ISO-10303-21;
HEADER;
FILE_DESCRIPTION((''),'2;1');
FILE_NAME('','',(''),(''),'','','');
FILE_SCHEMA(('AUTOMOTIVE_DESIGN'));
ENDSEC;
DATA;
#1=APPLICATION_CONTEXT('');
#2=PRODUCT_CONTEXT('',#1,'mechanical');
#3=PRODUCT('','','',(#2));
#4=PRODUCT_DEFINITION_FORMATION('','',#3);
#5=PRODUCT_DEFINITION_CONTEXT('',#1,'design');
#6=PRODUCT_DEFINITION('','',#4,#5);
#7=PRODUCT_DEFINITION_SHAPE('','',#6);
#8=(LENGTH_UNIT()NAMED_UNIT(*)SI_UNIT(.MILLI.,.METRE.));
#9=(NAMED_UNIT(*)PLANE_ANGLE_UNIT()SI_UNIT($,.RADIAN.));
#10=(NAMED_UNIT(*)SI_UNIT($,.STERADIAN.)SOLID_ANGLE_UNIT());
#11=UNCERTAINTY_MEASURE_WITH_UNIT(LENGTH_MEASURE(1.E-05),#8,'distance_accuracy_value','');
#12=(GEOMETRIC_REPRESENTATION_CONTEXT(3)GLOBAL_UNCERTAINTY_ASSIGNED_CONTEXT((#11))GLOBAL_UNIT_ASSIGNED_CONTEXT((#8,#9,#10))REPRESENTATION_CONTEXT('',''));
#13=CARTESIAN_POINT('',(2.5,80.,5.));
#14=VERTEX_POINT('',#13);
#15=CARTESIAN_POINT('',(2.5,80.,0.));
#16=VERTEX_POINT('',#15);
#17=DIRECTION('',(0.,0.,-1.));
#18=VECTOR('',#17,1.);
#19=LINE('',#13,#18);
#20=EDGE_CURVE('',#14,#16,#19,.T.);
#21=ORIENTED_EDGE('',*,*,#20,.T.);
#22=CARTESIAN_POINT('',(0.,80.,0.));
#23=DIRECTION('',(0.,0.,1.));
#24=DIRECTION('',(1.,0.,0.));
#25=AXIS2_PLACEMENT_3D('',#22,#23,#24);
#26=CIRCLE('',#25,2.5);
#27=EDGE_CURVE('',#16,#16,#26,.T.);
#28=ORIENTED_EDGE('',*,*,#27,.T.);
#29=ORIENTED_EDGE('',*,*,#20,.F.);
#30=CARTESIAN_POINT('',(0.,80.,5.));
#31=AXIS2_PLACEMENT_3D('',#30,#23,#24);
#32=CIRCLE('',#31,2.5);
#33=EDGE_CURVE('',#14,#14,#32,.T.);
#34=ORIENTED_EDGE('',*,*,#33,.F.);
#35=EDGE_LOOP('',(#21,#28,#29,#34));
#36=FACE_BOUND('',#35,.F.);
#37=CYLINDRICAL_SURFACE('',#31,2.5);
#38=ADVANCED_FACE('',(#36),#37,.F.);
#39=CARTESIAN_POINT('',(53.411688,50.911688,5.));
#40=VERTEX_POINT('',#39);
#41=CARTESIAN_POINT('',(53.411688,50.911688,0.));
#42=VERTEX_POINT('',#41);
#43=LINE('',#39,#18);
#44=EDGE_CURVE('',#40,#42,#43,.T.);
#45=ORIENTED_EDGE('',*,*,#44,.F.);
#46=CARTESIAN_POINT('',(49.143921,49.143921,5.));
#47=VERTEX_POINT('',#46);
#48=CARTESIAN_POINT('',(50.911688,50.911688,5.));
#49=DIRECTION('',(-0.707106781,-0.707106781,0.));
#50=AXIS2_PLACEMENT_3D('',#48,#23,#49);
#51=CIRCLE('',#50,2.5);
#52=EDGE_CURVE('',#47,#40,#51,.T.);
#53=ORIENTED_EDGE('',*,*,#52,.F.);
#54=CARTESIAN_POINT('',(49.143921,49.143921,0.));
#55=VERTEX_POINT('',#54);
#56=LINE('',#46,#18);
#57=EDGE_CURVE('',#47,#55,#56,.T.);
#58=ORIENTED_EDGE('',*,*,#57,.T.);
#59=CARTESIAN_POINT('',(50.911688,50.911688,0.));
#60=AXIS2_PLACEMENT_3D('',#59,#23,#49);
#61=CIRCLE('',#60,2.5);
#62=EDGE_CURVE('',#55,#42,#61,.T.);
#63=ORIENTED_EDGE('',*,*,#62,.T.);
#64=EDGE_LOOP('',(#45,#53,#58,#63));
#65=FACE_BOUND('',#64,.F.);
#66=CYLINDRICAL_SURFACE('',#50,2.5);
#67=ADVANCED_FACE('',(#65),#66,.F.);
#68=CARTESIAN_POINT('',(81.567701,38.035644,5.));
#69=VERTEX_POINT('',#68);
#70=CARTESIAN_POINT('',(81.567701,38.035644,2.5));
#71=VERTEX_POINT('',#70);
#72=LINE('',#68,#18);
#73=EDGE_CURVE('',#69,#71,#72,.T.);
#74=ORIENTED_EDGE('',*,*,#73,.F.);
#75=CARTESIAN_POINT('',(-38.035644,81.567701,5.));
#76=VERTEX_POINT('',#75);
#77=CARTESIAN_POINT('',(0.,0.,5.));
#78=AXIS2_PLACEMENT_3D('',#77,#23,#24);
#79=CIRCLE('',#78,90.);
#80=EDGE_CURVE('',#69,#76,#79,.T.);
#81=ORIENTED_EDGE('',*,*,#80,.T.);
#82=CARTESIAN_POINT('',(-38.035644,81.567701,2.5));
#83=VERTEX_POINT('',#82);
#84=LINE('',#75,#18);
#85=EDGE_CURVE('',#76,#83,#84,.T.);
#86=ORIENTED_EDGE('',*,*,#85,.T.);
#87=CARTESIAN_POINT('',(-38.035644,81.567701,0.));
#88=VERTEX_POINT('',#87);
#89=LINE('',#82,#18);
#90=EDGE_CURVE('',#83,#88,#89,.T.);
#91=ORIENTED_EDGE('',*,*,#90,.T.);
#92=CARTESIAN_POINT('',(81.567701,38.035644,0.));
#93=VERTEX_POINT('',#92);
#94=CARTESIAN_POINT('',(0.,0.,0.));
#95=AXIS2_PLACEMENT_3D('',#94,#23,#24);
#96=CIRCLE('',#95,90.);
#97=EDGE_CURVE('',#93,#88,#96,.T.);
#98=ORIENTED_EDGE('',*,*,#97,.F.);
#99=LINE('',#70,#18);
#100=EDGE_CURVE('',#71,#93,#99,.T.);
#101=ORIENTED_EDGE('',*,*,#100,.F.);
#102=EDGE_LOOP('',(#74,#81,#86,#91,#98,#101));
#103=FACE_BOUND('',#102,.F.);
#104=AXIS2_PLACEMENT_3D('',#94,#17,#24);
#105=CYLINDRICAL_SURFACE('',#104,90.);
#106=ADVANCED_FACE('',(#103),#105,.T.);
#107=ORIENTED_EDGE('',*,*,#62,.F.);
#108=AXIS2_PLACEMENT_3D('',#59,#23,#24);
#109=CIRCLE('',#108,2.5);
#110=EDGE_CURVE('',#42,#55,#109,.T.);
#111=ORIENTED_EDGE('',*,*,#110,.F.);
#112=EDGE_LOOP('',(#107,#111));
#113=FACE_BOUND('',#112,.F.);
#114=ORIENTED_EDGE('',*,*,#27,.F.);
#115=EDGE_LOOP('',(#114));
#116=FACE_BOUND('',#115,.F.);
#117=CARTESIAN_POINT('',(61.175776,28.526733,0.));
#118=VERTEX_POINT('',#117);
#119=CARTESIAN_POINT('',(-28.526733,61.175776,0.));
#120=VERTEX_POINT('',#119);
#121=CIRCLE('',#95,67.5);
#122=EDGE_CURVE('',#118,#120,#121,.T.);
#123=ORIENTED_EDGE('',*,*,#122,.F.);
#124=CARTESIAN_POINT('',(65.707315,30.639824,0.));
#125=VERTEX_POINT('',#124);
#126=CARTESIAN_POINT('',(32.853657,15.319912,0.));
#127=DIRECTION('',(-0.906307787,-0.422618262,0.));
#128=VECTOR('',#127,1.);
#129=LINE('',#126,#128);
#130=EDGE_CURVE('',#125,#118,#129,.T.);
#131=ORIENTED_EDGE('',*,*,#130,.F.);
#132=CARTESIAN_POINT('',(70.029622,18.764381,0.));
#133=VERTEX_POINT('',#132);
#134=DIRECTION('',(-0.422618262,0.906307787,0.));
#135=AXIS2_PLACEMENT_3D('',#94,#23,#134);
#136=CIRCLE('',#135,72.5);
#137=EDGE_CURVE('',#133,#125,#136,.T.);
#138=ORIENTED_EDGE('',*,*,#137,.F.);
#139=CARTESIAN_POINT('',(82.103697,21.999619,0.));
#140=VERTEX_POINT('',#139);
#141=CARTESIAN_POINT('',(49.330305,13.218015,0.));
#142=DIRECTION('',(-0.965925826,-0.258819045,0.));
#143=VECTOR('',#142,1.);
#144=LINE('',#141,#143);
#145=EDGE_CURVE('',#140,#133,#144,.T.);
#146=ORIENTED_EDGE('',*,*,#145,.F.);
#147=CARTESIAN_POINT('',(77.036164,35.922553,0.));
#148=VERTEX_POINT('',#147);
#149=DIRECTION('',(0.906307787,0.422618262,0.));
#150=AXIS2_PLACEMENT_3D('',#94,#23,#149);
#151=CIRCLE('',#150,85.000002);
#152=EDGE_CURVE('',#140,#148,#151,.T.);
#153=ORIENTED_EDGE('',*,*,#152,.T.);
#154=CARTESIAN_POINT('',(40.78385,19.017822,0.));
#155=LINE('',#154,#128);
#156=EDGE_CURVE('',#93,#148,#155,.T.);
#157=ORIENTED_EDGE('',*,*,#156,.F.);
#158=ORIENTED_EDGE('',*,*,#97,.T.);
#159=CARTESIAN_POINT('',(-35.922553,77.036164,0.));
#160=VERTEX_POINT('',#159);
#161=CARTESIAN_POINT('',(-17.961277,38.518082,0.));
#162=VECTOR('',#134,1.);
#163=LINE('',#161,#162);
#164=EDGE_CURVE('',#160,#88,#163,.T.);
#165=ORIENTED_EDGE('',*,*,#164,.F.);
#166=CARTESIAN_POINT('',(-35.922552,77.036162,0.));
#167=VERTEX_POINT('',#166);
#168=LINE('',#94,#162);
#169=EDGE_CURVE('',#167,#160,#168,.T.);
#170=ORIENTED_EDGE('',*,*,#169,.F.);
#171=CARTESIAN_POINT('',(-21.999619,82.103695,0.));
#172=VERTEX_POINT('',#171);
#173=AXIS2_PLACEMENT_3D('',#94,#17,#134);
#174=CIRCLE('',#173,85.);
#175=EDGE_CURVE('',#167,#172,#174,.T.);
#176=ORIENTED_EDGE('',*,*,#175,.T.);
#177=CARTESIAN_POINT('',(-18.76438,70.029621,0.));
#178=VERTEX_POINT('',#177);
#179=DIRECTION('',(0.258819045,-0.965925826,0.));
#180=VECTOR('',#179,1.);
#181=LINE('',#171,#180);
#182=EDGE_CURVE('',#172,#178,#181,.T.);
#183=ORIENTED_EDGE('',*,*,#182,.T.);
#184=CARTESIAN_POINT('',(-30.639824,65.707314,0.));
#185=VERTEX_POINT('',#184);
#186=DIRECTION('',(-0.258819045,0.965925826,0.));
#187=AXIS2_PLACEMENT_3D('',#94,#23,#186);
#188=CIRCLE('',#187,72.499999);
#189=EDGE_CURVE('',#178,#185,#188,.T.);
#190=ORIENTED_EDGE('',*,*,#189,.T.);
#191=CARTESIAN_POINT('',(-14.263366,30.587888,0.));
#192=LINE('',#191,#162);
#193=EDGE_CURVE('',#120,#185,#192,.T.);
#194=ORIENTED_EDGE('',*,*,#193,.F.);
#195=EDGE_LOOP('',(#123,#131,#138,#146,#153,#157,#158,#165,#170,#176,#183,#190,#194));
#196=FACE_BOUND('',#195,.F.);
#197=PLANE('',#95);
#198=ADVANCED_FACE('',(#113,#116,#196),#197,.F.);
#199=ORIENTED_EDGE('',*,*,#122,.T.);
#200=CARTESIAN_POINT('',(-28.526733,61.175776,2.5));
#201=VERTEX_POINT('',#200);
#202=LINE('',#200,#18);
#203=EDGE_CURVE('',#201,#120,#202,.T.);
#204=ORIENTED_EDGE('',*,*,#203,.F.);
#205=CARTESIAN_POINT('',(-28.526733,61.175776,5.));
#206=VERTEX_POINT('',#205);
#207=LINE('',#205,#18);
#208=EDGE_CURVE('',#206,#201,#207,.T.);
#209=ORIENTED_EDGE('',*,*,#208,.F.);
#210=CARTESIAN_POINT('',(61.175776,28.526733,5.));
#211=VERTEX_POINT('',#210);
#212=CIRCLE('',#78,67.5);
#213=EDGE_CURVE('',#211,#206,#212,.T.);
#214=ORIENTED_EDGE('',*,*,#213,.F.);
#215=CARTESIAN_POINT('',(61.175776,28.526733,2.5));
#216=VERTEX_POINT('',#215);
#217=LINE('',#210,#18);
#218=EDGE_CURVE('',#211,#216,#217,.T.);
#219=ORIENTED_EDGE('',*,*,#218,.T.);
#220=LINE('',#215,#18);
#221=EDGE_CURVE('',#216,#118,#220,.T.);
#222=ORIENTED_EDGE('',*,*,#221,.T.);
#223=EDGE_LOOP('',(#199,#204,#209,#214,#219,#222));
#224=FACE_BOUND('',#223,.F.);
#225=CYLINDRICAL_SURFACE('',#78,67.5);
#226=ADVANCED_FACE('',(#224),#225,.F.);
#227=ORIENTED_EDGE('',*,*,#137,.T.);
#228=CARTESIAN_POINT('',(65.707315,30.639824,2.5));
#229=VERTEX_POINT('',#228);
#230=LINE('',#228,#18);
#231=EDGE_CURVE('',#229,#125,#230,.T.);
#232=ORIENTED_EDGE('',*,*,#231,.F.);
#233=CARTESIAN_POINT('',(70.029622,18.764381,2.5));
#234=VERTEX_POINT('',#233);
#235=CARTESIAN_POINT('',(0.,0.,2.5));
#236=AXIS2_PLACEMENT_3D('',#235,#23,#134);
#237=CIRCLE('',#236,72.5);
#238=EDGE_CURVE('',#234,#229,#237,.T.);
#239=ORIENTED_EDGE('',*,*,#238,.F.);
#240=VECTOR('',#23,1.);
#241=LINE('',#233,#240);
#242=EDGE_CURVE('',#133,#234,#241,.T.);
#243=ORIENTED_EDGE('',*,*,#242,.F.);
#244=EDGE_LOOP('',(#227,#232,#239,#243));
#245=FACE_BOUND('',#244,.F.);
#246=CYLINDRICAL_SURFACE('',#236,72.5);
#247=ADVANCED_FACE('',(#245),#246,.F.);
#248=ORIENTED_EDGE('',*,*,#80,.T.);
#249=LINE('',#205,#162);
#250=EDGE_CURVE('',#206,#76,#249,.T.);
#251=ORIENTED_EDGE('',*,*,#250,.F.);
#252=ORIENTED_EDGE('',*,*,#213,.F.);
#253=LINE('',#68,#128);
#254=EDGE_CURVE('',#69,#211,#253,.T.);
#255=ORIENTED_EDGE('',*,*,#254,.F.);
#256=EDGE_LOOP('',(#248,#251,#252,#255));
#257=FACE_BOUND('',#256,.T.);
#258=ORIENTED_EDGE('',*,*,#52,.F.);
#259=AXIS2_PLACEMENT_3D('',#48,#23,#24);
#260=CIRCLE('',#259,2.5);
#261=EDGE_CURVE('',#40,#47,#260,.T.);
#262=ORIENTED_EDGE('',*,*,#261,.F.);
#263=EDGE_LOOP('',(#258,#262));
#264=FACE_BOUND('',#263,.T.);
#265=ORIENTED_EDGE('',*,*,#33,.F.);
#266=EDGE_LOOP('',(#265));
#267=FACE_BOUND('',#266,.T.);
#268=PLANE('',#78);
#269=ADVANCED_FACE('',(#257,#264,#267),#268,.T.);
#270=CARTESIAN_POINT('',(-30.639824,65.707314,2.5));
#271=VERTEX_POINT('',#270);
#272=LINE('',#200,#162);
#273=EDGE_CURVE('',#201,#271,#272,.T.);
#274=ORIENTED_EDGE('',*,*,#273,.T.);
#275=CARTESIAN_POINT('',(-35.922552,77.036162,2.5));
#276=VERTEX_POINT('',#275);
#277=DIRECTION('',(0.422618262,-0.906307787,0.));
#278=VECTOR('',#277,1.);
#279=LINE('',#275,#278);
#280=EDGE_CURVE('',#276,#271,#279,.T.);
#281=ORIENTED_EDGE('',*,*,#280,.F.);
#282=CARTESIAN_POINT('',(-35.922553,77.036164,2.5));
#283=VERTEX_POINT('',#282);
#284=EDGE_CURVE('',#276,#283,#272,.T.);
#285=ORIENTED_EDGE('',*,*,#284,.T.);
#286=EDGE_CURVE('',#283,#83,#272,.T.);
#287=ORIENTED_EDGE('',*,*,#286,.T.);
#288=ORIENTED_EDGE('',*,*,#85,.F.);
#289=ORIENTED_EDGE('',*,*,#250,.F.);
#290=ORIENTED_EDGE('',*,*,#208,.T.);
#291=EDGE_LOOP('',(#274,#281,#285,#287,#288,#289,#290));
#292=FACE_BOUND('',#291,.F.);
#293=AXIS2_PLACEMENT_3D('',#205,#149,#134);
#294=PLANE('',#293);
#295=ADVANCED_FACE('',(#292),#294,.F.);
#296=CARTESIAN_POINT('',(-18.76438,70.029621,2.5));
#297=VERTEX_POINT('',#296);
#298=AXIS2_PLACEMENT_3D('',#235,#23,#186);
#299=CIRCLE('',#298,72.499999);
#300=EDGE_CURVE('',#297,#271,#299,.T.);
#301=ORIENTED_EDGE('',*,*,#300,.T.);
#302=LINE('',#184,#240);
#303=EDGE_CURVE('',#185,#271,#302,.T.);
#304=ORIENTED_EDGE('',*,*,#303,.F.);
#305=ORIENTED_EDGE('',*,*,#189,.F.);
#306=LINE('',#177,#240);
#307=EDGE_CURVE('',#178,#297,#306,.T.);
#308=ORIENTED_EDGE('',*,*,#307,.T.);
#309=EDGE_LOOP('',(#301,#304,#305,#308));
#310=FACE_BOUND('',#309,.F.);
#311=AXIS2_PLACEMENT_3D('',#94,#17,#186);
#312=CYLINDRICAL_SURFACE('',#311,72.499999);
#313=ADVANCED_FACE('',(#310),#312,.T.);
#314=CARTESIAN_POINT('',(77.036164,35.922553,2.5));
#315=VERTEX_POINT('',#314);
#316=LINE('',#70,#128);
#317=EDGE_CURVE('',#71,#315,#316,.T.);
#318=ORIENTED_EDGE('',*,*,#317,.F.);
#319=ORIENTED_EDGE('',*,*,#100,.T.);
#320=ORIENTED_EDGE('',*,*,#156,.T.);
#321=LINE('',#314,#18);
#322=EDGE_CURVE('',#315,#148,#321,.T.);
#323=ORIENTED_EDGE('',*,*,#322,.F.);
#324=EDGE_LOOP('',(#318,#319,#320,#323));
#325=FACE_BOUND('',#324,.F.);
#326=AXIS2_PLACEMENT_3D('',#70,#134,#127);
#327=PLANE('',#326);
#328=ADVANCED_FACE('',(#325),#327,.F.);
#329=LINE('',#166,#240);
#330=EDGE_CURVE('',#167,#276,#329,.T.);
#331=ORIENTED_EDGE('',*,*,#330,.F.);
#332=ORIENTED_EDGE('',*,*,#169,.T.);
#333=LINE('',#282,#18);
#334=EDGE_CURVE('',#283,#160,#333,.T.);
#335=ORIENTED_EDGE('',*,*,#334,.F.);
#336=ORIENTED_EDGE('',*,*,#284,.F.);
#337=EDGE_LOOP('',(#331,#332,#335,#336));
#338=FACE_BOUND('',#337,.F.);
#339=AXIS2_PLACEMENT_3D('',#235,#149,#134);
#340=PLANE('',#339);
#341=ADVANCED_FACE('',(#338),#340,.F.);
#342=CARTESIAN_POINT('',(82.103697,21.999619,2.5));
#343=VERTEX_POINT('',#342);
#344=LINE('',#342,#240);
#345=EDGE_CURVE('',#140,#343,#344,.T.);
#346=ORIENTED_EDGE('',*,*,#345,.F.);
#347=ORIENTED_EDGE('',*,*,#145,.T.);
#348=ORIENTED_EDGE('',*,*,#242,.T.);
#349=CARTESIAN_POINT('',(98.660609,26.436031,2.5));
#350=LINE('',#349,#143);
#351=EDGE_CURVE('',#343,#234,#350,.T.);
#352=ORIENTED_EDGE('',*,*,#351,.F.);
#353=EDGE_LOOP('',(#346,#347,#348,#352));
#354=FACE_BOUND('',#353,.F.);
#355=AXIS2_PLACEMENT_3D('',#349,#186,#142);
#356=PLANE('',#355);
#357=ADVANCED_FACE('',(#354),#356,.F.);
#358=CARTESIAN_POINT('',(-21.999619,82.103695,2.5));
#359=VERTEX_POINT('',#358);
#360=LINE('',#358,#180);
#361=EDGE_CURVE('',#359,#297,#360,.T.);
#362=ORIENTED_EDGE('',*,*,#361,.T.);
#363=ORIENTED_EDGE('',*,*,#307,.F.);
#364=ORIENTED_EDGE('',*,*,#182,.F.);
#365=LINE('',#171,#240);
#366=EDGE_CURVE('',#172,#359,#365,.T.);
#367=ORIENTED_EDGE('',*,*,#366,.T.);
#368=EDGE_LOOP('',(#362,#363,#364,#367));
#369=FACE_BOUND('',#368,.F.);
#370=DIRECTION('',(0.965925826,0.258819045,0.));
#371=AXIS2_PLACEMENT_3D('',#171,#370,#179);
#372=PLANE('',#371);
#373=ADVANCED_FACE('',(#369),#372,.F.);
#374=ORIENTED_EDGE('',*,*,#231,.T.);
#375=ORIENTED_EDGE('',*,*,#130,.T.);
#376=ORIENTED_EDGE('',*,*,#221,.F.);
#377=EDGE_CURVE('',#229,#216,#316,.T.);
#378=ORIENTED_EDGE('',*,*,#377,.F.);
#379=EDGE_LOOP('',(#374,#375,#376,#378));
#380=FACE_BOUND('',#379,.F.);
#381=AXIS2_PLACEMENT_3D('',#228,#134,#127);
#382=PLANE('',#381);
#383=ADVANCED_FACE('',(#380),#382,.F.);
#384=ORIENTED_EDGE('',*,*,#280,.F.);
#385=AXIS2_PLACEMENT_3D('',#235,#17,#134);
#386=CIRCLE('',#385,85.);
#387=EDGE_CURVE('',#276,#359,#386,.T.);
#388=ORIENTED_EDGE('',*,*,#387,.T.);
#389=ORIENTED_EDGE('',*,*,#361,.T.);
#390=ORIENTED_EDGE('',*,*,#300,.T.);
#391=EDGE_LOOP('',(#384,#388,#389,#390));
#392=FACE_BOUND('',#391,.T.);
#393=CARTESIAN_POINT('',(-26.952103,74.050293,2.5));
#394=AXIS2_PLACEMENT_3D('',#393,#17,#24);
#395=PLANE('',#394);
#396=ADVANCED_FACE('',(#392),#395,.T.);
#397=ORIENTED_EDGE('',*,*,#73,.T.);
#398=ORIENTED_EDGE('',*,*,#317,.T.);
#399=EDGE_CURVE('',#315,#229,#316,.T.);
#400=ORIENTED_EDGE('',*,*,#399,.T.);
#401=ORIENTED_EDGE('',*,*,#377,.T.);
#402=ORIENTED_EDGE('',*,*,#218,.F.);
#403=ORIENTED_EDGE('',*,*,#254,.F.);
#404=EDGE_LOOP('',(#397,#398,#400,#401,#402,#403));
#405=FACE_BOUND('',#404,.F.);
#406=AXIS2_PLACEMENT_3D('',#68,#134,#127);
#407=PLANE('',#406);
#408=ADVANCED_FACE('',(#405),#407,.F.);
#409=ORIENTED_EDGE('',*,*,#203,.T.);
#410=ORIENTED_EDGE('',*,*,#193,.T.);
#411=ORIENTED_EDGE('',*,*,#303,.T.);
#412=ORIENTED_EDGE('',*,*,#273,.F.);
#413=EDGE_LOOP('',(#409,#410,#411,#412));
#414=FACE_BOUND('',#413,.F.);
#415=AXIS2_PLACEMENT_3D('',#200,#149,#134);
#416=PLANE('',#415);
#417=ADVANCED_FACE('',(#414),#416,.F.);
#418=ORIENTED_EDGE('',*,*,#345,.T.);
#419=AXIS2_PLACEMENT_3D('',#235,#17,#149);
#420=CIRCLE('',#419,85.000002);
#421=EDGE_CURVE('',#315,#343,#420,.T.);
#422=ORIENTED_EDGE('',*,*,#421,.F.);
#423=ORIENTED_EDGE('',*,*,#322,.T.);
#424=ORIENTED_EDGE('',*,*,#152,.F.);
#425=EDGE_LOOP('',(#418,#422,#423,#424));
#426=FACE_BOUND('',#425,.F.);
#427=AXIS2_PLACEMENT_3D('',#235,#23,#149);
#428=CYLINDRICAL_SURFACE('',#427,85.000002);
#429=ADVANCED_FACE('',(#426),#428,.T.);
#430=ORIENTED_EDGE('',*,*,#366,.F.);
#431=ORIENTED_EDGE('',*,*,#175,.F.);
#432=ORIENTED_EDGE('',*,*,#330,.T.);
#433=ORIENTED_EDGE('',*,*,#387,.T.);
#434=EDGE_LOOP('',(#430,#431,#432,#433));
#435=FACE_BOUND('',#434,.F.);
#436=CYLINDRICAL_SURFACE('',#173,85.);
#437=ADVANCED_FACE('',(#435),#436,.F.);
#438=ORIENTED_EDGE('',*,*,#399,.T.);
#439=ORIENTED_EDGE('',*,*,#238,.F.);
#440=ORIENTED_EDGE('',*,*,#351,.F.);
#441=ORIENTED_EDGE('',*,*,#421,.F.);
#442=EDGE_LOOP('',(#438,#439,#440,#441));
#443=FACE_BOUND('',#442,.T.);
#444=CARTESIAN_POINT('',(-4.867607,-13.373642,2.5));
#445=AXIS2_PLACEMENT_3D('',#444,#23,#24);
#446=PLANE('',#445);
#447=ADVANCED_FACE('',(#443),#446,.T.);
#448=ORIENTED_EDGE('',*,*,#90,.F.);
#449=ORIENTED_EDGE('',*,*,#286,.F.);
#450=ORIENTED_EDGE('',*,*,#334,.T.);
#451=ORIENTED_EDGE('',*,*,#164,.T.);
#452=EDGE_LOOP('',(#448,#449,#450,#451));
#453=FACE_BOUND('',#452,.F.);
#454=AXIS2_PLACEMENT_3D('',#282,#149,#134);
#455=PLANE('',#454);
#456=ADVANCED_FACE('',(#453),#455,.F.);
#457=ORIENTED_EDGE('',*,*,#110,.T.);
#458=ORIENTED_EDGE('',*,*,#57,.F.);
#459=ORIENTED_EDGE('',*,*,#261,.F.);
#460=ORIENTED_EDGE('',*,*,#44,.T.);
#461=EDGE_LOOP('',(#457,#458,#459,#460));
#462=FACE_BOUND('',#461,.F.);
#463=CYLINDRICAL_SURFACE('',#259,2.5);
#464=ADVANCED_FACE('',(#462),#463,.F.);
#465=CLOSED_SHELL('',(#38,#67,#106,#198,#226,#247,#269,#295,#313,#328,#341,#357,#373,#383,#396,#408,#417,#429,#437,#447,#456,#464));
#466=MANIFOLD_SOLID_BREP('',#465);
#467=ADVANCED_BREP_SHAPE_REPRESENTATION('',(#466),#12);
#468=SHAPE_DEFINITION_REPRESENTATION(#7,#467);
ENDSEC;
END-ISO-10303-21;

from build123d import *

# Parameters (mm, degrees)
F0_R      = 90
F1_DEPTH  = 5
F2_R      = 67.5
F3_DEPTH  = 5
F4_R      = 2.5
F5_DEPTH  = 5.001
F7_DEPTH  = 5.001
F9_DEPTH  = 2.5
F11_DEPTH = 2.501
F13_DEPTH = 2.501
F15_DEPTH = 2.501
F19_DEPTH = 2.5


with BuildPart() as f1:
    # F0 (on Top) → F1 (new body)
    with BuildSketch(Plane.XY):
        Circle(F0_R)
    extrude(amount=F1_DEPTH)

    # F2 (on face) → F3 (cut)
    with BuildSketch(Plane.XY.offset(5)):
        Circle(F2_R)
    extrude(amount=-F3_DEPTH, mode=Mode.SUBTRACT)

    # F4 (on face) → F5 (cut, through all)
    with BuildSketch(Plane.XY.offset(5)):
        with Locations((0, 80)):
            Circle(F4_R)
    extrude(amount=-F5_DEPTH, mode=Mode.SUBTRACT)

    # F6 (on face) → F7 (cut, through all)
    with BuildSketch(Plane.XY.offset(5)):
        with BuildLine():
            ThreePointArc((49.1439212925, 49.1439212925), (51.8683968263, 48.6019894142), (53.4116882454, 50.9116882454))
            ThreePointArc((53.4116882454, 50.9116882454), (49.9549796645, 53.2213870767), (49.1439212925, 49.1439212925))
        make_face()
    extrude(amount=-F7_DEPTH, mode=Mode.SUBTRACT)

    # F8 (on face) → F9 (cut)
    with BuildSketch(Plane.XY.offset(5)):
        with BuildLine():
            Line((-28.5267326675, 61.175775625), (-38.0356435567, 81.5677008333))
            ThreePointArc((-38.0356435567, 81.5677008333), (-30.7818128993, -84.5723358707), (81.5677008333, 38.0356435567))
            Line((81.5677008333, 38.0356435567), (61.175775625, 28.5267326675))
            ThreePointArc((61.175775625, 28.5267326675), (-23.0863596745, -63.429251903), (-28.5267326675, 61.175775625))
        make_face()
    extrude(amount=-F9_DEPTH, mode=Mode.SUBTRACT)

    # F10 (on face) → F11 (cut, through all)
    with BuildSketch(Plane.XY.offset(2.5)):
        with BuildLine():
            ThreePointArc((77.0361638276, 35.9225531477), (-29.0717129108, -79.8738747674), (-35.9225531477, 77.0361638276))
            Line((-35.9225531477, 77.0361638276), (-38.0356435567, 81.5677008333))
            ThreePointArc((-38.0356435567, 81.5677008333), (-48.3569647512, -75.9052301232), (90, 0))
            ThreePointArc((90, 0), (87.8666406408, 19.4795652544), (81.5677008333, 38.0356435567))
            Line((81.5677008333, 38.0356435567), (77.0361638276, 35.9225531477))
        make_face()
    extrude(amount=-F11_DEPTH, mode=Mode.SUBTRACT)

    # F12 (on face) → F13 (cut, through all)
    with BuildSketch(Plane.XY.offset(2.5)):
        with BuildLine():
            Line((-28.5267326675, 61.175775625), (-30.6398239762, 65.7073145602))
            ThreePointArc((-30.6398239762, 65.7073145602), (-24.7964603911, -68.127715007), (65.7073145602, 30.6398239762))
            Line((65.7073145602, 30.6398239762), (61.175775625, 28.5267326675))
            ThreePointArc((61.175775625, 28.5267326675), (65.8999804806, 14.6096739408), (67.5, 0))
            ThreePointArc((67.5, 0), (-36.2677235634, -56.9289225924), (-28.5267326675, 61.175775625))
        make_face()
    extrude(amount=-F13_DEPTH, mode=Mode.SUBTRACT)

    # F14 (on face) → F15 (cut, through all)
    with BuildSketch(Plane.XY.offset(2.5)):
        Polygon((98.6606093618, 26.4360306033), (0, 0), (-50.3402867184, 107.9550932479), (-138.5994553566, -33.6444936693), (-65.9655109048, -85.6016203761), (32.1168266237, -89.8430198431), (88.8455361128, -67.5756856799), align=None)
    extrude(amount=-F15_DEPTH, mode=Mode.SUBTRACT)

    # F18 (on face) → F19 (cut)
    with BuildSketch(Plane(origin=(0, 0, 0), x_dir=(1, 0, 0), z_dir=(0, 0, -1))):
        with BuildLine():
            Line((-21.9996188337, -82.1036952346), (-18.7643804985, -70.029621393))
            ThreePointArc((-18.7643804985, -70.029621393), (-24.7964600325, -68.1277140216), (-30.639823533, -65.7073136098))
            Line((-30.639823533, -65.7073136098), (-35.922552248, -77.0361618981))
            ThreePointArc((-35.922552248, -77.0361618981), (-29.0717121827, -79.8738727668), (-21.9996188337, -82.1036952346))
        make_face()
    extrude(amount=-F19_DEPTH, mode=Mode.SUBTRACT)


solid = f1.part
